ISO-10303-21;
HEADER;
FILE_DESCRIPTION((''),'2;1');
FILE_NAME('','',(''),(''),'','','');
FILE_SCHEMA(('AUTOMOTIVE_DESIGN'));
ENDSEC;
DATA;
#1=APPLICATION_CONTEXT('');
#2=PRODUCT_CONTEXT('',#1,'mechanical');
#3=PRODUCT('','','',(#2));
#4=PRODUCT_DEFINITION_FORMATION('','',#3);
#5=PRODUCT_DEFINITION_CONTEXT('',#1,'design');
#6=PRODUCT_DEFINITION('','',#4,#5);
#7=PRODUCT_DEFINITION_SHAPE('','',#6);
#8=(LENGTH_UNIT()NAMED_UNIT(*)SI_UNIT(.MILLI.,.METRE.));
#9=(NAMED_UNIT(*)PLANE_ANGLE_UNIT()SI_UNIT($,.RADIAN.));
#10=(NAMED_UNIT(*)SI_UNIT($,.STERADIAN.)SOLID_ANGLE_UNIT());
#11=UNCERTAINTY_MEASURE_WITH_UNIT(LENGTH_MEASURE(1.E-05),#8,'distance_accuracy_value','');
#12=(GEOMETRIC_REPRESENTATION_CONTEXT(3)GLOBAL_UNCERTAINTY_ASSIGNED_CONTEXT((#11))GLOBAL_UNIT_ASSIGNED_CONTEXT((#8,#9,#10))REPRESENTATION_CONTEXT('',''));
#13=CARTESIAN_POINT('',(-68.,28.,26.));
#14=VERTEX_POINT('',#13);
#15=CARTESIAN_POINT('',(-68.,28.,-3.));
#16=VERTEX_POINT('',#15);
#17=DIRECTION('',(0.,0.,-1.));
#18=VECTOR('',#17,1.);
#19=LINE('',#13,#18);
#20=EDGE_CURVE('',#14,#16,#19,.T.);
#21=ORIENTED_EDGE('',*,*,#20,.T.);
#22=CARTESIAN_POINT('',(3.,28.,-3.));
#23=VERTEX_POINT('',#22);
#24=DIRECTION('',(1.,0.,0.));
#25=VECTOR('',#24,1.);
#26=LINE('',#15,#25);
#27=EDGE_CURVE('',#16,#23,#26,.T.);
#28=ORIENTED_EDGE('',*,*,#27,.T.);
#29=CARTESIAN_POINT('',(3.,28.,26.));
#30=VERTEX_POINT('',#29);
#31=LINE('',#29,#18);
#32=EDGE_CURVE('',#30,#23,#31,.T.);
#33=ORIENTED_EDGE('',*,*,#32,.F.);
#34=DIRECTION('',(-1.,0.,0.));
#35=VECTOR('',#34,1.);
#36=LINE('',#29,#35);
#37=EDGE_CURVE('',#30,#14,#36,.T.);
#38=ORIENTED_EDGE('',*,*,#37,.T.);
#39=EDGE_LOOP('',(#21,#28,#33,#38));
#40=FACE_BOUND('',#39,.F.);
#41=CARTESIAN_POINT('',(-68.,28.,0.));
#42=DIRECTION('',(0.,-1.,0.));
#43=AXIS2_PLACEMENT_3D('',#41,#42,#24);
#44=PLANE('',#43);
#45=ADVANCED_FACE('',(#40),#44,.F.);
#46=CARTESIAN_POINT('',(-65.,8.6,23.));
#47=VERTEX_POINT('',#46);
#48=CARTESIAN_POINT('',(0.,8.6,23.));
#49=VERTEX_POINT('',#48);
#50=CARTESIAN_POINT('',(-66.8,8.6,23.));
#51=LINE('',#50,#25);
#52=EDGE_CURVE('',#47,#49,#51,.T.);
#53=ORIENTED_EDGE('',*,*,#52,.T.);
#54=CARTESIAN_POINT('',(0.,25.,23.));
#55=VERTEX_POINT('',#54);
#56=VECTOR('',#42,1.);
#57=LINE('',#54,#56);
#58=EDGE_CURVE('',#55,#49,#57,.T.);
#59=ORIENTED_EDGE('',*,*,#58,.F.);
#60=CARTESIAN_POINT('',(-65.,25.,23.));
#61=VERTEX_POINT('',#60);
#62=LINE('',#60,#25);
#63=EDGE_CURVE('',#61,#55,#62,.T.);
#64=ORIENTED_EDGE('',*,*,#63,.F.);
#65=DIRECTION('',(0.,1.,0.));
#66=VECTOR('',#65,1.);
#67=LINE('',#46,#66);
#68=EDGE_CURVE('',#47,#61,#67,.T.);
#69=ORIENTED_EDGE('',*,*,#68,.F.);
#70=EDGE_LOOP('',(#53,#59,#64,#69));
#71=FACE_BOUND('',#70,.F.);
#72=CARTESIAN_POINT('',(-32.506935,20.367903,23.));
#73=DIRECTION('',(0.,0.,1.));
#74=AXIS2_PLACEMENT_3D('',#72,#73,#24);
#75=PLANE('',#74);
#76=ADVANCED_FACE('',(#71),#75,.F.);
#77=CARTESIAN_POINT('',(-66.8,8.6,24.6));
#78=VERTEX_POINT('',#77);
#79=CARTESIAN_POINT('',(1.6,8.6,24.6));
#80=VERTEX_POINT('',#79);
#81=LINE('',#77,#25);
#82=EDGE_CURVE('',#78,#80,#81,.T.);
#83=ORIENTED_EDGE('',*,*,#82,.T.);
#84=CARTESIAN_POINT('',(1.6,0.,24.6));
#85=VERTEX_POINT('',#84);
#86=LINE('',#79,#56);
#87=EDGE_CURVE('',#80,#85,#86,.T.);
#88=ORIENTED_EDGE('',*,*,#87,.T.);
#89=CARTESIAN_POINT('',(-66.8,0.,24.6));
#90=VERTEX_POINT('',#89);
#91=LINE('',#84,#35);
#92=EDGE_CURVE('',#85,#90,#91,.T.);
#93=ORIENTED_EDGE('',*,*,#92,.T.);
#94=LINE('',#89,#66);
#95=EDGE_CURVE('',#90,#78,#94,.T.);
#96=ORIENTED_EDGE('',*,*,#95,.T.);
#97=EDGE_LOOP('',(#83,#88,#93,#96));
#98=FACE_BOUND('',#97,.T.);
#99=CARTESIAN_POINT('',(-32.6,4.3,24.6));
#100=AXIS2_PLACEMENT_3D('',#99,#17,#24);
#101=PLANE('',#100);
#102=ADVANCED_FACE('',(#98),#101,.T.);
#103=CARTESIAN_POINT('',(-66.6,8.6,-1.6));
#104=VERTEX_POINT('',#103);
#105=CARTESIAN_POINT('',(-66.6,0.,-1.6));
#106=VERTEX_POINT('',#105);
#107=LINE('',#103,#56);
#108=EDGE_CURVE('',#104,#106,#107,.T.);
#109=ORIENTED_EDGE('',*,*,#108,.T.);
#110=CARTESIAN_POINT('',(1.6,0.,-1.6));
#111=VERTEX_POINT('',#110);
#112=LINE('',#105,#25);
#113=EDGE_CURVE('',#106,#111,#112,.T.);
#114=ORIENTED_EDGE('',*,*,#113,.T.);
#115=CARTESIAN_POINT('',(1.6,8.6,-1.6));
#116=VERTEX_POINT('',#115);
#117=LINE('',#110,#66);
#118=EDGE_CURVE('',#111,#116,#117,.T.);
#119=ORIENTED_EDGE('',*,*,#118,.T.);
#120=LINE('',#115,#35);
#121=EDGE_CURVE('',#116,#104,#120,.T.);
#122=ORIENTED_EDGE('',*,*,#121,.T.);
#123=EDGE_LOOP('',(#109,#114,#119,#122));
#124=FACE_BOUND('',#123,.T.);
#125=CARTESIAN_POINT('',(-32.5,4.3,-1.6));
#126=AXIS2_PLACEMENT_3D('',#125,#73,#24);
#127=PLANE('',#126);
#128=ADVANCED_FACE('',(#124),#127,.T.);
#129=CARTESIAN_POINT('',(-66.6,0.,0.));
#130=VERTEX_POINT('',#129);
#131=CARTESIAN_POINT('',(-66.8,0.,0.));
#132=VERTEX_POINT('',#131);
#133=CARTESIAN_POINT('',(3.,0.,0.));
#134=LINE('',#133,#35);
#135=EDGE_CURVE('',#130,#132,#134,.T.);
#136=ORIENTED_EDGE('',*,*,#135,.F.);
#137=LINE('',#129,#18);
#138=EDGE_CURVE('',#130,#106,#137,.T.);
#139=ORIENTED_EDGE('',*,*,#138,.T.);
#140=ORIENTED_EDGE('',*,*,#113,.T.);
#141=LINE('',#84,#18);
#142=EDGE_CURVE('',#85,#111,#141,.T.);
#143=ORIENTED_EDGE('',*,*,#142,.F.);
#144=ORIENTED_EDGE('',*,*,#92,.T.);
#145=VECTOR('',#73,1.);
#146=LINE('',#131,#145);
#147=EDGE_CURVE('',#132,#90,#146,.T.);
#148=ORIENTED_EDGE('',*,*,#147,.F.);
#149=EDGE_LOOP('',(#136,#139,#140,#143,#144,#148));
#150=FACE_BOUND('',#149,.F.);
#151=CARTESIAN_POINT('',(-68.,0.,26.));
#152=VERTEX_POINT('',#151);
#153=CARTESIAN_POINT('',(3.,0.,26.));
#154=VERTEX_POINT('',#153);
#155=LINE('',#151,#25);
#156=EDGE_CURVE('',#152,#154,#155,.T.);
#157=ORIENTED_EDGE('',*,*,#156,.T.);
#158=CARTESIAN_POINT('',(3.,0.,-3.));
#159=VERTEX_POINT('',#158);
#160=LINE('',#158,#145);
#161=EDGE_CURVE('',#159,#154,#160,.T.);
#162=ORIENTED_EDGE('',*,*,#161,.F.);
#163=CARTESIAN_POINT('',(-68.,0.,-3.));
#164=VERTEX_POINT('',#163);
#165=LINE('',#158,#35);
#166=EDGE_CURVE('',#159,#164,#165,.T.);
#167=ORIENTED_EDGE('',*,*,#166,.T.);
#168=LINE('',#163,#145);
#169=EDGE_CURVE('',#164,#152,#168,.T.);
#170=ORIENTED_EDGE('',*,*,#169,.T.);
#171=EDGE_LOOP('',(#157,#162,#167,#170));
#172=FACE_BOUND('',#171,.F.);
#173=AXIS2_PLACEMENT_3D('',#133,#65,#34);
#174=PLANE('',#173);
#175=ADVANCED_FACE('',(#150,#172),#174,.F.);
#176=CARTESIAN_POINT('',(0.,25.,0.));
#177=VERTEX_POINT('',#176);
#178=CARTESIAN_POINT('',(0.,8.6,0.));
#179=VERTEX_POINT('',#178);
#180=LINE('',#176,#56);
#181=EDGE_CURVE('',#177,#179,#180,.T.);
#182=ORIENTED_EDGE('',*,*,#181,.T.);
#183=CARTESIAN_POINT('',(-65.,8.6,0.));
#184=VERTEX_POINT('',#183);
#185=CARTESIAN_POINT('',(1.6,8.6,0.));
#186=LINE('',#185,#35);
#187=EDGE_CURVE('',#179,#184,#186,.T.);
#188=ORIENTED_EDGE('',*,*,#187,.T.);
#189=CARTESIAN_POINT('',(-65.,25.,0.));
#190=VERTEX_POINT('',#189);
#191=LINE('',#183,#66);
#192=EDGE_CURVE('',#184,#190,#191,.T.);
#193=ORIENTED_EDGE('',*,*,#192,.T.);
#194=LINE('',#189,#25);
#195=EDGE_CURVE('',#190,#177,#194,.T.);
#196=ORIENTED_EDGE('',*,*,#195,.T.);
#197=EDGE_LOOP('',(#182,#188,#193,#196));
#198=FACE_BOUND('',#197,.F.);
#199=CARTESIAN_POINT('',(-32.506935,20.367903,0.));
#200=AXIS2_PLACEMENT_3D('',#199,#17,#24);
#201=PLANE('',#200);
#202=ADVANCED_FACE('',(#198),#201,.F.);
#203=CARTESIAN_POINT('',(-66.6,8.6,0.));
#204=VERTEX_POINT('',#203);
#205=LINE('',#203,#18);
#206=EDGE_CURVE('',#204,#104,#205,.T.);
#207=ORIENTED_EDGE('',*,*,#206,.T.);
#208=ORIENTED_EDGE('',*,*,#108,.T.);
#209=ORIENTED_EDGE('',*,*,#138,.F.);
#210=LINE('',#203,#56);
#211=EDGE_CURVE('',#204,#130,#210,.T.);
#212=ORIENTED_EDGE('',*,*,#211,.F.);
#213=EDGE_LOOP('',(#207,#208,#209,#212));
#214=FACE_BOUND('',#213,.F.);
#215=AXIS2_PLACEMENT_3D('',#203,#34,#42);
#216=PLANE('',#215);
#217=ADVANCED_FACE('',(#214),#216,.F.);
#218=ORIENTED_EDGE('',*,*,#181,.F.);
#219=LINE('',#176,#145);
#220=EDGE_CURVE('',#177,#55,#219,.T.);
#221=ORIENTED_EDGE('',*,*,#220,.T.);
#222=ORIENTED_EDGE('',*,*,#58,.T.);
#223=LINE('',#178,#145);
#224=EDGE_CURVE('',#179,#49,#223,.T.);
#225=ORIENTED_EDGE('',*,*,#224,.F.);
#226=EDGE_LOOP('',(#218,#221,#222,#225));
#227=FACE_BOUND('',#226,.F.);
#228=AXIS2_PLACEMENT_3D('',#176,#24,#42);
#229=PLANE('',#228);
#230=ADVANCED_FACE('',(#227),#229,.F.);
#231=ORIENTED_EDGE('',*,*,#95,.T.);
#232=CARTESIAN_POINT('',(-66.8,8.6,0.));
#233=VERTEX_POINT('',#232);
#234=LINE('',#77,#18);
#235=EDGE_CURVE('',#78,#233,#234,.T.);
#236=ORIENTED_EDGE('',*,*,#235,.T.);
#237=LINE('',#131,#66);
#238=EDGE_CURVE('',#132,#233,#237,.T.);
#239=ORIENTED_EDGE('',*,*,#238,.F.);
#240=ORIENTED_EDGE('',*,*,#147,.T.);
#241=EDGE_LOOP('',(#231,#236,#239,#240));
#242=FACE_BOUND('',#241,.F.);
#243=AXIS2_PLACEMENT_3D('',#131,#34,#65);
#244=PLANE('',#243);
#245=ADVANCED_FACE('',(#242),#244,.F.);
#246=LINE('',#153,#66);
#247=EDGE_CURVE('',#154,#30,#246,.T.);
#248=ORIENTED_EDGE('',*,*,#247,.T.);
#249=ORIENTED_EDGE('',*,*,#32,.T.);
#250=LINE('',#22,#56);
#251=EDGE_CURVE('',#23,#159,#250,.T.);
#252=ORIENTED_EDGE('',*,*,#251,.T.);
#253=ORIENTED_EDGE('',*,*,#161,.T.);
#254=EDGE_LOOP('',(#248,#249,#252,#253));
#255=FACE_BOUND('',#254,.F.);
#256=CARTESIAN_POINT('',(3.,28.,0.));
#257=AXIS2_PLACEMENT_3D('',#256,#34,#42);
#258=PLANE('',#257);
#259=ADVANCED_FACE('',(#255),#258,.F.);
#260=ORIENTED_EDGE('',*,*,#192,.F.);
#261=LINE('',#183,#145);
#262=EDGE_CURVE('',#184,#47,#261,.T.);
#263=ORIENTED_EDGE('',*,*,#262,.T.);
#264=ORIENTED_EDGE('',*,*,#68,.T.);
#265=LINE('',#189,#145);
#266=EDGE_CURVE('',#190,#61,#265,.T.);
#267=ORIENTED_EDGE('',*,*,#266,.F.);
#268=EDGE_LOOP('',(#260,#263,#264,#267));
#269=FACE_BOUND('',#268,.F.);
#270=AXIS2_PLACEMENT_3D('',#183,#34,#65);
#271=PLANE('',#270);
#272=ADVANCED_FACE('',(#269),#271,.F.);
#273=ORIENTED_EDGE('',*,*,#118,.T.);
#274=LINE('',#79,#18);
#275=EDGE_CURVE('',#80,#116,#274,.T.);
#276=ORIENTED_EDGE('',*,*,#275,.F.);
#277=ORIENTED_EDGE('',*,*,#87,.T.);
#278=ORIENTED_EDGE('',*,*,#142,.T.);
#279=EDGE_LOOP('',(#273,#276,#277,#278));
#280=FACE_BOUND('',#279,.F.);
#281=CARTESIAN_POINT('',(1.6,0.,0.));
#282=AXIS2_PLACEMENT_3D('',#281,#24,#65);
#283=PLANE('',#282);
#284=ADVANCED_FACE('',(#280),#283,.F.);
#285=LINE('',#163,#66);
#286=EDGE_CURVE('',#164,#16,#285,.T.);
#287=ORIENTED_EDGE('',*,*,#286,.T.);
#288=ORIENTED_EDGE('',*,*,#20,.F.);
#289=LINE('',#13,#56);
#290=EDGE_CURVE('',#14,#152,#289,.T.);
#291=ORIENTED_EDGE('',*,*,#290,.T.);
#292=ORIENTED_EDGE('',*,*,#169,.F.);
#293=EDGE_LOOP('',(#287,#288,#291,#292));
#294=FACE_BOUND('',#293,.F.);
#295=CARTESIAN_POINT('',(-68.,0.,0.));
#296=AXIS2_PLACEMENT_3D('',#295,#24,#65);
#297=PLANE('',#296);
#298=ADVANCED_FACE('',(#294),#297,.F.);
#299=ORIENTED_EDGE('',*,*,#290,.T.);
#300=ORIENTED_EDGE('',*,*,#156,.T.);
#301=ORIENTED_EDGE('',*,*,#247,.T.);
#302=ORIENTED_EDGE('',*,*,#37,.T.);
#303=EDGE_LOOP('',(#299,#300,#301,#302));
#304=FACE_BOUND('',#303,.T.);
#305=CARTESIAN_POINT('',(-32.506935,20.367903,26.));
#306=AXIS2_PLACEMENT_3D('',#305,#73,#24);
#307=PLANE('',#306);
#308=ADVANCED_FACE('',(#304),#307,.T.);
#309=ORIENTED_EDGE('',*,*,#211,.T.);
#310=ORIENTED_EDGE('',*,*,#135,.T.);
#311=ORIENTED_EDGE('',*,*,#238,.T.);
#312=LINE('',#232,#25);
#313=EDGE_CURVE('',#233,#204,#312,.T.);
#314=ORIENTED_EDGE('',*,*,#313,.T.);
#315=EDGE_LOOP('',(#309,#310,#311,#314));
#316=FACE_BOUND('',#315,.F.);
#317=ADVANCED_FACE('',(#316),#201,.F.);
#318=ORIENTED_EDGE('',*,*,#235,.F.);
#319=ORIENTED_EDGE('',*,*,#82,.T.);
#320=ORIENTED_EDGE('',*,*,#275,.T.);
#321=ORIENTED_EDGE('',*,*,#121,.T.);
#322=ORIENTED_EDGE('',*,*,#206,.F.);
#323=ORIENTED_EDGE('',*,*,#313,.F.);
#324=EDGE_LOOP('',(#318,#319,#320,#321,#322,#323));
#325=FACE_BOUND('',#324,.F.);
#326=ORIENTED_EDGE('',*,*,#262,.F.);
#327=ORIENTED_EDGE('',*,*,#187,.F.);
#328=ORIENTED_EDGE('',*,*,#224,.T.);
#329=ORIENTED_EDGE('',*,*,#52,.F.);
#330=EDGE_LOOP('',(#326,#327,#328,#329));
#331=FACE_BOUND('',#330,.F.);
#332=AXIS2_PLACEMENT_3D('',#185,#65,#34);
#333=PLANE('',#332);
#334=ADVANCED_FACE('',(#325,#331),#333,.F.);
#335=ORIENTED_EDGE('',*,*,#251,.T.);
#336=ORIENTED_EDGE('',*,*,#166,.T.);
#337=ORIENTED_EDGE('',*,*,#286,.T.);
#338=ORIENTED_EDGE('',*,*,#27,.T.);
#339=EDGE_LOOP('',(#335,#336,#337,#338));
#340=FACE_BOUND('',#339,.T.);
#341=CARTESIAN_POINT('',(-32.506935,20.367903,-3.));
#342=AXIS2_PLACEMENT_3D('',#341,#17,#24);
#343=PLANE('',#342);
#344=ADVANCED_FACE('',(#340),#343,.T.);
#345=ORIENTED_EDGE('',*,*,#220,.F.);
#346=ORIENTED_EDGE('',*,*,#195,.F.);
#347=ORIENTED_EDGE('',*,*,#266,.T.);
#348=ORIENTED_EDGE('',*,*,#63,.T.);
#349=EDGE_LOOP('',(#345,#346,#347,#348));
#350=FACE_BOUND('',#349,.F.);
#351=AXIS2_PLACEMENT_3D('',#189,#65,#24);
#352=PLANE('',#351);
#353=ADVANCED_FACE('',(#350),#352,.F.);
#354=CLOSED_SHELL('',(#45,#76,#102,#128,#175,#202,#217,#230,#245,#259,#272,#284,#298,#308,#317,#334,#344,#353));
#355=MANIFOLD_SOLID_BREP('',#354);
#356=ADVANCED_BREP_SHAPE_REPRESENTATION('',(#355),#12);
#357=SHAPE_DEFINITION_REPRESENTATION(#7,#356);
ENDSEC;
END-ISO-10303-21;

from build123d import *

# Parameters (mm, degrees)
F1_DEPTH = 23
F3_DEPTH = 3
F5_DEPTH = 1.6
F7_DEPTH = 3
F9_DEPTH = 1.6


with BuildPart() as f1:
    # F0 (on Top) → F1 (new body)
    with BuildSketch(Plane.XY):
        Polygon((-65, 25), (0, 25), (0, 8.6), (1.6, 8.6), (1.6, 0), (3, 0), (3, 28), (-68, 28), (-68, 0), (-66.8, 0), (-66.8, 8.6), (-65, 8.6), align=None)
    extrude(amount=F1_DEPTH)

    # F2 (on face) → F3 (join)
    with BuildSketch(Plane.XY.offset(23)):
        Polygon((3, 28), (-68, 28), (-68, 0), (-66.8, 0), (-66.8, 8.6), (-65, 8.6), (-65, 25), (0, 25), (0, 8.6), (1.6, 8.6), (1.6, 0), (3, 0), align=None)
        Polygon((-66.8, 8.6), (-66.8, 0), (1.6, 0), (1.6, 8.6), (0, 8.6), (0, 25), (-65, 25), (-65, 8.6), align=None)
    extrude(amount=F3_DEPTH)

    # F4 (on face) → F5 (cut)
    with BuildSketch(Plane(origin=(0, 0, 23), x_dir=(1, 0, 0), z_dir=(0, 0, -1))):
        Polygon((1.6, 0), (-66.8, 0), (-66.8, -8.6), (-65, -8.6), (0, -8.6), (1.6, -8.6), align=None)
    extrude(amount=-F5_DEPTH, mode=Mode.SUBTRACT)

    # F6 (on face) → F7 (join)
    with BuildSketch(Plane(origin=(0, 0, 0), x_dir=(1, 0, 0), z_dir=(0, 0, -1))):
        Polygon((-66.8, 0), (-68, 0), (-68, -28), (3, -28), (3, 0), (1.6, 0), (1.6, -8.6), (0, -8.6), (0, -25), (-65, -25), (-65, -8.6), (-66.8, -8.6), align=None)
        Polygon((1.6, 0), (-66.8, 0), (-66.8, -8.6), (-65, -8.6), (-65, -25), (0, -25), (0, -8.6), (1.6, -8.6), align=None)
    extrude(amount=F7_DEPTH)

    # F8 (on face) → F9 (cut)
    with BuildSketch(Plane.XY):
        Polygon((-65, 8.6), (-66.6, 8.6), (-66.6, 0), (1.6, 0), (1.6, 8.6), (0, 8.6), align=None)
    extrude(amount=-F9_DEPTH, mode=Mode.SUBTRACT)


solid = f1.part
